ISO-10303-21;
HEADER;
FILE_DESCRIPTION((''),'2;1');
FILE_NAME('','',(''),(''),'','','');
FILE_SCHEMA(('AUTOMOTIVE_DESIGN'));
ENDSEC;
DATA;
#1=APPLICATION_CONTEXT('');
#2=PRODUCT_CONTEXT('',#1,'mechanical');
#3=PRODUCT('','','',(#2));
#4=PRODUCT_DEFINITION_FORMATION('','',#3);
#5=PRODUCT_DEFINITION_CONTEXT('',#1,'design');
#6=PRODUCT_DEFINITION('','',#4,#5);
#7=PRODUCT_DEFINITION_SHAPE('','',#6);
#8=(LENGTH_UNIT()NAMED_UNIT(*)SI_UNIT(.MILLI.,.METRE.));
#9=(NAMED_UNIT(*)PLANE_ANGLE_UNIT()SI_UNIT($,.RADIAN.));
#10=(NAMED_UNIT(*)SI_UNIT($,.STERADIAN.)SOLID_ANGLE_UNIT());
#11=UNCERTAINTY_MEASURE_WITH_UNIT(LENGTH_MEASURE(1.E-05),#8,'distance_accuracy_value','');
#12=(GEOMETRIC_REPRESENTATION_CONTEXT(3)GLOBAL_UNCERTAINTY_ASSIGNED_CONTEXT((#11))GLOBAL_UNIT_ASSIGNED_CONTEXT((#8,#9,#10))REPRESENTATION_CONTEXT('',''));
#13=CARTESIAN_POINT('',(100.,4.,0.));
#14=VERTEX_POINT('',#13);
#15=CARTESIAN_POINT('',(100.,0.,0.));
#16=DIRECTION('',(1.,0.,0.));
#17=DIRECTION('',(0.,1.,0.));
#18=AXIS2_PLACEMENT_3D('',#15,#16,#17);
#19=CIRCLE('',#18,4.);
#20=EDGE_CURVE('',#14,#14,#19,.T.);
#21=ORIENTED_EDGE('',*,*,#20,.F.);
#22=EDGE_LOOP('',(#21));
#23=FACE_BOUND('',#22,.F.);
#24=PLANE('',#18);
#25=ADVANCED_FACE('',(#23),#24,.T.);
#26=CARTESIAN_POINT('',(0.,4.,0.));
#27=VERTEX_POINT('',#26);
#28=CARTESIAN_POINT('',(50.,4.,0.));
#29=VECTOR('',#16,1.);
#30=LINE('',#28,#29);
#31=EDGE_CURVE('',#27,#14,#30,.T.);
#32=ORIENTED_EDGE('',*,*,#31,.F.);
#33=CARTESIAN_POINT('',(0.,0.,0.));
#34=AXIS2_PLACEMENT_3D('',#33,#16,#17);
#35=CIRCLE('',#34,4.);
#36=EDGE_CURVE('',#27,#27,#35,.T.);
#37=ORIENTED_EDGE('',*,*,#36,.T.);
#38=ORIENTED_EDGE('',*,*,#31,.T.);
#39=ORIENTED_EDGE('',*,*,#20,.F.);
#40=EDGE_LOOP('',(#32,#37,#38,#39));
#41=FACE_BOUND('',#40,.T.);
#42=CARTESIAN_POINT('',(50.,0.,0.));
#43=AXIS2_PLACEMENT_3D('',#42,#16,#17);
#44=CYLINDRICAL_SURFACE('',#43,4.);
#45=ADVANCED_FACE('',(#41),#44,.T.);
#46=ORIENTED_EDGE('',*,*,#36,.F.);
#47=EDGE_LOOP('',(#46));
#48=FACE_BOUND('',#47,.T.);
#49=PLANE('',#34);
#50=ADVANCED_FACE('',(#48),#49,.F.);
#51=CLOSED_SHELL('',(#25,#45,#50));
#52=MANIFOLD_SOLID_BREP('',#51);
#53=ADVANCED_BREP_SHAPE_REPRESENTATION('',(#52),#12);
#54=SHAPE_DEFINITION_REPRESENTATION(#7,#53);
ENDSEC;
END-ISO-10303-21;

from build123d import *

# Parameters (mm, degrees)
ESQUISSE1_W = 100
ESQUISSE1_H = 4


with BuildPart() as part:
    # Esquisse1 → Révolution1 (revolve)
    with BuildSketch(Plane.XY):
        with Locations((50, 2)):
            Rectangle(ESQUISSE1_W, ESQUISSE1_H)
    revolve(axis=Axis((0, 0, 0), (1, 0, 0)))


solid = part.part
